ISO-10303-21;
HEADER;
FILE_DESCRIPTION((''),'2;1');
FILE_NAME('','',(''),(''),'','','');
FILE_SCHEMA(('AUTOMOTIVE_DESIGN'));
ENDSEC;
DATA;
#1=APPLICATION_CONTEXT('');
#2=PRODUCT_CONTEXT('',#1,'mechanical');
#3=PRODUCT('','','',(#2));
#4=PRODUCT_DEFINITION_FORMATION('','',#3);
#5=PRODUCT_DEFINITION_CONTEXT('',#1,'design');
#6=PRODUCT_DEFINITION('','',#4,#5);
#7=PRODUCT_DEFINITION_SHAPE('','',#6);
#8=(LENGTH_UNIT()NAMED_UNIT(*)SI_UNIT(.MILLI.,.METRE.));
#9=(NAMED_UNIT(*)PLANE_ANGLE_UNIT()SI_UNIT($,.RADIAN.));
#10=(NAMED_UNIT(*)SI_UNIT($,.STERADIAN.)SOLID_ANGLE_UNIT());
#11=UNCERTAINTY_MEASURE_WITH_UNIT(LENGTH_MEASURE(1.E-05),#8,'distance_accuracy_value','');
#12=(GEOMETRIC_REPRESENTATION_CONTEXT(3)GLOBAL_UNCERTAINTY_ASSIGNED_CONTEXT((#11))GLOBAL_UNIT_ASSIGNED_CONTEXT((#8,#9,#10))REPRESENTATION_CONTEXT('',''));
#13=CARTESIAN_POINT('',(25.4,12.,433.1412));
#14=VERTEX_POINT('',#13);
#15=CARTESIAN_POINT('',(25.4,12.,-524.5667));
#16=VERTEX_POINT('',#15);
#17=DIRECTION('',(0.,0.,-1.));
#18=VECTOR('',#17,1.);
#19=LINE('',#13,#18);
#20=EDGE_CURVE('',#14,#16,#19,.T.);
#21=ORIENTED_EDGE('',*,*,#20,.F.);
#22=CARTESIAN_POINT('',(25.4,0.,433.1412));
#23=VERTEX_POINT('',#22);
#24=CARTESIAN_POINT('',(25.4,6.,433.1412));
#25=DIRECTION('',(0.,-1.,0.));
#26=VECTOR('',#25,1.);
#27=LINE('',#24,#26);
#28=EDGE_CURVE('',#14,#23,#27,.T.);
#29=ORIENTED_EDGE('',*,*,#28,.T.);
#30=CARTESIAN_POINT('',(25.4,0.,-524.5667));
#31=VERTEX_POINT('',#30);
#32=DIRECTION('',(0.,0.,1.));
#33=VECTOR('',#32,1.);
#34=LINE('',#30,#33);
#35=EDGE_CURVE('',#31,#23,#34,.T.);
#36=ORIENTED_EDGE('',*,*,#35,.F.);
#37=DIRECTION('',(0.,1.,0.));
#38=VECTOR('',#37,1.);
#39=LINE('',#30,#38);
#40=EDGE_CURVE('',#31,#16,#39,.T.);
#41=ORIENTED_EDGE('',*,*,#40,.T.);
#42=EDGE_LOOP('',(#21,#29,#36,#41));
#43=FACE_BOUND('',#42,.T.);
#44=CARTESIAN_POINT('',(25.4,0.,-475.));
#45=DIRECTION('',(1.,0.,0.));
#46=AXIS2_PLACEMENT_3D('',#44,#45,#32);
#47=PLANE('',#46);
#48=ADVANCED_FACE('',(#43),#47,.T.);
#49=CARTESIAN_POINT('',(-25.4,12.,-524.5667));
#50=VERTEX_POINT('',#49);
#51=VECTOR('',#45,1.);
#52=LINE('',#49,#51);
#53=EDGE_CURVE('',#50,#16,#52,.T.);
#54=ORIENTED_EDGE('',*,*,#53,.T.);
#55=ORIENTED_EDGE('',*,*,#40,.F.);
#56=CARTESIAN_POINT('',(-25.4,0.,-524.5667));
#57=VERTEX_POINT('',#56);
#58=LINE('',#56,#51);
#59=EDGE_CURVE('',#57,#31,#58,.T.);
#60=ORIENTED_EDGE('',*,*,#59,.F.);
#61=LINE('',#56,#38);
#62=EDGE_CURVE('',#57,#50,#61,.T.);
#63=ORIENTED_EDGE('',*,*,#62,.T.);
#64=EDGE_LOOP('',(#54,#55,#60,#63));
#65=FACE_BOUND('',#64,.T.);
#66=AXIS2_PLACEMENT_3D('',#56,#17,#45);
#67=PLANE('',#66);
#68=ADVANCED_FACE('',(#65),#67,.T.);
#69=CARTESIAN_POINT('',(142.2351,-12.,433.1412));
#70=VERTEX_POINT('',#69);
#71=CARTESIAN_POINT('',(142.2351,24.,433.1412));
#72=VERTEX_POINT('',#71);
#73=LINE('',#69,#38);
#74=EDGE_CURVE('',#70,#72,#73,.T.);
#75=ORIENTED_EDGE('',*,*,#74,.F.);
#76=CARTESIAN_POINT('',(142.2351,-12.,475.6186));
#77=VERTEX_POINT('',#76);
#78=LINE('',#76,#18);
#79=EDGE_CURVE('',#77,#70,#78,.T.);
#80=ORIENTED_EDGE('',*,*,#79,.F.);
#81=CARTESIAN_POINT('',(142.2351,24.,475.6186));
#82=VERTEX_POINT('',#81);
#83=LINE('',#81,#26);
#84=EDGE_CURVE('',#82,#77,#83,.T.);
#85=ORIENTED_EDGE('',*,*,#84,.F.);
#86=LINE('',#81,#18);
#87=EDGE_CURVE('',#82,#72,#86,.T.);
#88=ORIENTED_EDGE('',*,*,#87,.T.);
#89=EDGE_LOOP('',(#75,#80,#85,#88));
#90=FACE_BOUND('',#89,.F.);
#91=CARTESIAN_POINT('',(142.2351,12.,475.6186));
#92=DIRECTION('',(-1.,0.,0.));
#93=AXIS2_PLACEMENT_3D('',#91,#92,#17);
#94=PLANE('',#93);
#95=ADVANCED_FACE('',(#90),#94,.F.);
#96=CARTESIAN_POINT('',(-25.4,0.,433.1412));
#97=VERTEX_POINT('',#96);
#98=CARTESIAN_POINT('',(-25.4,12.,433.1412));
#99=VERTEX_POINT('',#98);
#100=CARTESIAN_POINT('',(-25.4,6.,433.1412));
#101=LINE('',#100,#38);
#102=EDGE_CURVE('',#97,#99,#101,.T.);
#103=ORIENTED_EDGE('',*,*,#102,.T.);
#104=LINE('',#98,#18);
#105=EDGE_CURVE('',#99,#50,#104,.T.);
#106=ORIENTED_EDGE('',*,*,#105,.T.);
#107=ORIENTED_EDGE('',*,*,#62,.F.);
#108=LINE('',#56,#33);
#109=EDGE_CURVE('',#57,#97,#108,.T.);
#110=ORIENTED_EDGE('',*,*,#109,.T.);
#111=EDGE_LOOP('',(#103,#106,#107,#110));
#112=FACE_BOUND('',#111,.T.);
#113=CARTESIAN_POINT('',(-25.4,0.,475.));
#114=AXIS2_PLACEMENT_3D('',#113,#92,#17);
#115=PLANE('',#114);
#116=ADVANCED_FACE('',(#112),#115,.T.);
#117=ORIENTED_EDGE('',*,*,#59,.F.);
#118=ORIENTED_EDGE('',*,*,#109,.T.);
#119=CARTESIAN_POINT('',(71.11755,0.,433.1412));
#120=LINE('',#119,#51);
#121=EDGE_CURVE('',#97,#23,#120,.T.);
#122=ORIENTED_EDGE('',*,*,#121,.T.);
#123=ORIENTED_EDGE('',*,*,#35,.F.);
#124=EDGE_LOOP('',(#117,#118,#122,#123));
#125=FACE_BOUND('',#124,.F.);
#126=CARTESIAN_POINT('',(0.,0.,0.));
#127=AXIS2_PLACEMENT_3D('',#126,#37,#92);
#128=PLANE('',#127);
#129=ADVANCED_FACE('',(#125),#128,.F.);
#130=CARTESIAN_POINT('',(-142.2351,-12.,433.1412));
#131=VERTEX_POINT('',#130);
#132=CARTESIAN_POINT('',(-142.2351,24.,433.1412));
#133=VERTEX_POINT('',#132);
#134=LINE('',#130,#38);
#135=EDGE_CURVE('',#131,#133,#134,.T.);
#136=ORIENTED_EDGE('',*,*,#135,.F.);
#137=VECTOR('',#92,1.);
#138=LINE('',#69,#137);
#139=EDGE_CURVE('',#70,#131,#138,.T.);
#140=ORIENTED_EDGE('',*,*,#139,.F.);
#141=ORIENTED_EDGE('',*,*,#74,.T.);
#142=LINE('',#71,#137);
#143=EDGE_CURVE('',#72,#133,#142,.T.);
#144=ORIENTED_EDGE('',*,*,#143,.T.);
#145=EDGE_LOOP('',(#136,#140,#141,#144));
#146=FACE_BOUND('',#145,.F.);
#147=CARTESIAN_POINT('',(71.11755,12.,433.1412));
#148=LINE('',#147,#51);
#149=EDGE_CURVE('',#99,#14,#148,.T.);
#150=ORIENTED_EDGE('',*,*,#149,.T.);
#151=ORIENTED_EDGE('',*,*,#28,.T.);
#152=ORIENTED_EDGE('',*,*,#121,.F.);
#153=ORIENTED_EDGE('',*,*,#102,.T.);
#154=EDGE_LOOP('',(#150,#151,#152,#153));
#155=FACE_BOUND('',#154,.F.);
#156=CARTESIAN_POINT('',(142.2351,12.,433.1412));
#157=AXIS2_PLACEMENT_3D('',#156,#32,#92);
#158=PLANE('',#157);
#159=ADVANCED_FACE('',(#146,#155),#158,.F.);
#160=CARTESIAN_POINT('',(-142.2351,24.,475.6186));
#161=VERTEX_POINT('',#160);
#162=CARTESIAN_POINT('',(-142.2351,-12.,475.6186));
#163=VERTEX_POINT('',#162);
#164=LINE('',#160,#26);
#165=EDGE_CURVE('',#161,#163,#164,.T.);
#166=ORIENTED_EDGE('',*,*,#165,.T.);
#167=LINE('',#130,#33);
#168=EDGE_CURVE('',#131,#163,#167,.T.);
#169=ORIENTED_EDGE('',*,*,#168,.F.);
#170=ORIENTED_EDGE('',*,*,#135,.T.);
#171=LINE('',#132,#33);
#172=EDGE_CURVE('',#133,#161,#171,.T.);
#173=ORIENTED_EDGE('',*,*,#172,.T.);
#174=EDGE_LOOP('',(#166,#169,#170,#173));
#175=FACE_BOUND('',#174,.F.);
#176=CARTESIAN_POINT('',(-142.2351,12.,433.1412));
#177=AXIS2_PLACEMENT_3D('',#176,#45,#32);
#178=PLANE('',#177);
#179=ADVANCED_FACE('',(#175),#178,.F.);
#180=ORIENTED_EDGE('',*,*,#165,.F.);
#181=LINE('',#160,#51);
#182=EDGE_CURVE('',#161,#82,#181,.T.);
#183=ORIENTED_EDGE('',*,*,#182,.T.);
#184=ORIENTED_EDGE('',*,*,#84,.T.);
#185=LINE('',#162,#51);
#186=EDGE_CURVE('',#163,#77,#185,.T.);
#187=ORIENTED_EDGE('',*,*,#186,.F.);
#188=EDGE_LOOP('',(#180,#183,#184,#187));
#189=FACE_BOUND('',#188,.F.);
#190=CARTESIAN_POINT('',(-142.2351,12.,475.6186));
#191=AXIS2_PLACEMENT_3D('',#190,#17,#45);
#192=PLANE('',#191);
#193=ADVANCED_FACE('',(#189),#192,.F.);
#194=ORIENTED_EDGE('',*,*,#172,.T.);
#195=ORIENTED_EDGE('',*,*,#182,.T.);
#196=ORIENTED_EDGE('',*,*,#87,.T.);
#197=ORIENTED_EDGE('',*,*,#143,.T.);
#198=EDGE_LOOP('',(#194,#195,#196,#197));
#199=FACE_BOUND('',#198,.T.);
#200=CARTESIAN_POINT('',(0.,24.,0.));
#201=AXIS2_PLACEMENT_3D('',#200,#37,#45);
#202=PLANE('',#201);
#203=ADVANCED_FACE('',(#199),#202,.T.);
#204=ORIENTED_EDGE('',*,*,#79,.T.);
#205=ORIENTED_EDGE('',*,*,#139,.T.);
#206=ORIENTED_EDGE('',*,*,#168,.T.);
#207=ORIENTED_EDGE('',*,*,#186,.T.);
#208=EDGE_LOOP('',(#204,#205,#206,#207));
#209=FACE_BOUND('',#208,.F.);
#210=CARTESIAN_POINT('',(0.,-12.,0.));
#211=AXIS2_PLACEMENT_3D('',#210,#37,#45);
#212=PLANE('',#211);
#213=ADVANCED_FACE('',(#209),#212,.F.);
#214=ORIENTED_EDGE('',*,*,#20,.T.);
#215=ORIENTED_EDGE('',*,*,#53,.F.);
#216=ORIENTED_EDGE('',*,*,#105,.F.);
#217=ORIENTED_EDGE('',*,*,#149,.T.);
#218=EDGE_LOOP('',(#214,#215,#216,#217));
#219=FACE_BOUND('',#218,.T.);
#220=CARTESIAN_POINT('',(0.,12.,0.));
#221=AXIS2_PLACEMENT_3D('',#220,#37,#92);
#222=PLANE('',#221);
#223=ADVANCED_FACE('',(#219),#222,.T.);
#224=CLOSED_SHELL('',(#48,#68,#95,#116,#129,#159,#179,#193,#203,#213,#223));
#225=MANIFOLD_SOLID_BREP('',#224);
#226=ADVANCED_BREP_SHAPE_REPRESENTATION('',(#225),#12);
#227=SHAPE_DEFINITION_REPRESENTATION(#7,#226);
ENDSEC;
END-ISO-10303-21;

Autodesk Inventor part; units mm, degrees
ref_plane "YZ Plane" through (0, 0, 0) normal (1, 0, 0) x (0, 1, 0)
ref_plane "XZ Plane" through (0, 0, 0) normal (0, 1, 0) x (-1, 0, 0)
ref_plane "XY Plane" through (0, 0, 0) normal (0, 0, 1) x (1, 0, 0)
sketch "Sketch1" plane through (0, 0, 0) normal (0, 1, 0) x (-1, 0, 0)
  line L0 (25.4, -475) -> (-25.4, -475)
  line L1 (-25.4, -475) -> (-25.4, 475)
  line L2 (-25.4, 475) -> (25.4, 475)
  line L3 (25.4, 475) -> (25.4, -475)
  line L4 (25.4, -475) -> (-25.4, 475) construction
  line L5 (-25.4, -475) -> (25.4, 475) construction
  point P0 (0, 0)
  dimension "d0" = 50.8
  dimension "d1" = 950
extrude "Extrusion1" add sketch "Sketch1" along normal blind 12
sketch "Sketch2" plane through (0, 12, 0) normal (0, 1, 0) x (1, 0, 0)
  line L0 (142.2351, -433.1412) -> (-142.2351, -433.1412)
  line L1 (-142.2351, -433.1412) -> (-142.2351, -475.6186)
  line L2 (-142.2351, -475.6186) -> (142.2351, -475.6186)
  line L3 (142.2351, -475.6186) -> (142.2351, -433.1412)
  line L4 (142.2351, -433.1412) -> (-142.2351, -475.6186) construction
  line L5 (-142.2351, -433.1412) -> (142.2351, -475.6186) construction
  point P0 (0, 0)
  point P1 (0, -454.3799)
extrude "Extrusion2" add sketch "Sketch2" along normal blind 12 and the other way blind 24
sketch "Sketch3" plane through (0, 12, 0) normal (0, 1, 0) x (1, 0, 0)
  line L0 (-638.112, 621.7865) -> (344.254, 621.7865)
  line L1 (344.254, 621.7865) -> (344.254, 342.1246)
  line L2 (344.254, 342.1246) -> (-638.112, 342.1246)
  line L3 (-638.112, 342.1246) -> (-638.112, 621.7865)
  line L4 (-638.112, 621.7865) -> (344.254, 342.1246) construction
  line L5 (344.254, 621.7865) -> (-638.112, 342.1246) construction
  point P0 (0, 0)
  point P1 (-146.929, 481.9555)
extrude "Extrusion3" cut sketch "Sketch3" against normal blind 304.8 and the other way blind 152.4
sketch "Sketch4" plane through (0, 12, 0) normal (0, 1, 0) x (1, 0, 0)
  line L0 (-80.2076, 578.4886) -> (80.2076, 578.4886)
  line L1 (80.2076, 578.4886) -> (80.2076, 185.2583)
  line L2 (80.2076, 185.2583) -> (-80.2076, 185.2583)
  line L3 (-80.2076, 185.2583) -> (-80.2076, 578.4886)
  line L4 (-80.2076, 578.4886) -> (80.2076, 185.2583) construction
  line L5 (80.2076, 578.4886) -> (-80.2076, 185.2583) construction
  point P0 (0, 0)
  point P1 (0, 381.8735)
extrude "Extrusion4" cut sketch "Sketch4" against normal blind 304.8
sketch "Sketch5" plane through (0, 0, 0) normal (0, 1, 0) x (-1, 0, 0)
  line L0 (-25.4, 475.4333) -> (25.4, 475.4333)
  line L1 (25.4, 475.4333) -> (25.4, -524.5667)
  line L2 (25.4, -524.5667) -> (-25.4, -524.5667)
  line L3 (-25.4, -524.5667) -> (-25.4, 475.4333)
  point P0 (0, 0)
  dimension "d14" = 50.8
  dimension "d15" = 1000
extrude "Extrusion5" add sketch "Sketch5" along normal blind 12
sketch "Sketch6" plane through (0, 0, 0) normal (0, 1, 0) x (-1, 0, 0)
  point P0 (0, 0)
properties part number "hopper stand"
